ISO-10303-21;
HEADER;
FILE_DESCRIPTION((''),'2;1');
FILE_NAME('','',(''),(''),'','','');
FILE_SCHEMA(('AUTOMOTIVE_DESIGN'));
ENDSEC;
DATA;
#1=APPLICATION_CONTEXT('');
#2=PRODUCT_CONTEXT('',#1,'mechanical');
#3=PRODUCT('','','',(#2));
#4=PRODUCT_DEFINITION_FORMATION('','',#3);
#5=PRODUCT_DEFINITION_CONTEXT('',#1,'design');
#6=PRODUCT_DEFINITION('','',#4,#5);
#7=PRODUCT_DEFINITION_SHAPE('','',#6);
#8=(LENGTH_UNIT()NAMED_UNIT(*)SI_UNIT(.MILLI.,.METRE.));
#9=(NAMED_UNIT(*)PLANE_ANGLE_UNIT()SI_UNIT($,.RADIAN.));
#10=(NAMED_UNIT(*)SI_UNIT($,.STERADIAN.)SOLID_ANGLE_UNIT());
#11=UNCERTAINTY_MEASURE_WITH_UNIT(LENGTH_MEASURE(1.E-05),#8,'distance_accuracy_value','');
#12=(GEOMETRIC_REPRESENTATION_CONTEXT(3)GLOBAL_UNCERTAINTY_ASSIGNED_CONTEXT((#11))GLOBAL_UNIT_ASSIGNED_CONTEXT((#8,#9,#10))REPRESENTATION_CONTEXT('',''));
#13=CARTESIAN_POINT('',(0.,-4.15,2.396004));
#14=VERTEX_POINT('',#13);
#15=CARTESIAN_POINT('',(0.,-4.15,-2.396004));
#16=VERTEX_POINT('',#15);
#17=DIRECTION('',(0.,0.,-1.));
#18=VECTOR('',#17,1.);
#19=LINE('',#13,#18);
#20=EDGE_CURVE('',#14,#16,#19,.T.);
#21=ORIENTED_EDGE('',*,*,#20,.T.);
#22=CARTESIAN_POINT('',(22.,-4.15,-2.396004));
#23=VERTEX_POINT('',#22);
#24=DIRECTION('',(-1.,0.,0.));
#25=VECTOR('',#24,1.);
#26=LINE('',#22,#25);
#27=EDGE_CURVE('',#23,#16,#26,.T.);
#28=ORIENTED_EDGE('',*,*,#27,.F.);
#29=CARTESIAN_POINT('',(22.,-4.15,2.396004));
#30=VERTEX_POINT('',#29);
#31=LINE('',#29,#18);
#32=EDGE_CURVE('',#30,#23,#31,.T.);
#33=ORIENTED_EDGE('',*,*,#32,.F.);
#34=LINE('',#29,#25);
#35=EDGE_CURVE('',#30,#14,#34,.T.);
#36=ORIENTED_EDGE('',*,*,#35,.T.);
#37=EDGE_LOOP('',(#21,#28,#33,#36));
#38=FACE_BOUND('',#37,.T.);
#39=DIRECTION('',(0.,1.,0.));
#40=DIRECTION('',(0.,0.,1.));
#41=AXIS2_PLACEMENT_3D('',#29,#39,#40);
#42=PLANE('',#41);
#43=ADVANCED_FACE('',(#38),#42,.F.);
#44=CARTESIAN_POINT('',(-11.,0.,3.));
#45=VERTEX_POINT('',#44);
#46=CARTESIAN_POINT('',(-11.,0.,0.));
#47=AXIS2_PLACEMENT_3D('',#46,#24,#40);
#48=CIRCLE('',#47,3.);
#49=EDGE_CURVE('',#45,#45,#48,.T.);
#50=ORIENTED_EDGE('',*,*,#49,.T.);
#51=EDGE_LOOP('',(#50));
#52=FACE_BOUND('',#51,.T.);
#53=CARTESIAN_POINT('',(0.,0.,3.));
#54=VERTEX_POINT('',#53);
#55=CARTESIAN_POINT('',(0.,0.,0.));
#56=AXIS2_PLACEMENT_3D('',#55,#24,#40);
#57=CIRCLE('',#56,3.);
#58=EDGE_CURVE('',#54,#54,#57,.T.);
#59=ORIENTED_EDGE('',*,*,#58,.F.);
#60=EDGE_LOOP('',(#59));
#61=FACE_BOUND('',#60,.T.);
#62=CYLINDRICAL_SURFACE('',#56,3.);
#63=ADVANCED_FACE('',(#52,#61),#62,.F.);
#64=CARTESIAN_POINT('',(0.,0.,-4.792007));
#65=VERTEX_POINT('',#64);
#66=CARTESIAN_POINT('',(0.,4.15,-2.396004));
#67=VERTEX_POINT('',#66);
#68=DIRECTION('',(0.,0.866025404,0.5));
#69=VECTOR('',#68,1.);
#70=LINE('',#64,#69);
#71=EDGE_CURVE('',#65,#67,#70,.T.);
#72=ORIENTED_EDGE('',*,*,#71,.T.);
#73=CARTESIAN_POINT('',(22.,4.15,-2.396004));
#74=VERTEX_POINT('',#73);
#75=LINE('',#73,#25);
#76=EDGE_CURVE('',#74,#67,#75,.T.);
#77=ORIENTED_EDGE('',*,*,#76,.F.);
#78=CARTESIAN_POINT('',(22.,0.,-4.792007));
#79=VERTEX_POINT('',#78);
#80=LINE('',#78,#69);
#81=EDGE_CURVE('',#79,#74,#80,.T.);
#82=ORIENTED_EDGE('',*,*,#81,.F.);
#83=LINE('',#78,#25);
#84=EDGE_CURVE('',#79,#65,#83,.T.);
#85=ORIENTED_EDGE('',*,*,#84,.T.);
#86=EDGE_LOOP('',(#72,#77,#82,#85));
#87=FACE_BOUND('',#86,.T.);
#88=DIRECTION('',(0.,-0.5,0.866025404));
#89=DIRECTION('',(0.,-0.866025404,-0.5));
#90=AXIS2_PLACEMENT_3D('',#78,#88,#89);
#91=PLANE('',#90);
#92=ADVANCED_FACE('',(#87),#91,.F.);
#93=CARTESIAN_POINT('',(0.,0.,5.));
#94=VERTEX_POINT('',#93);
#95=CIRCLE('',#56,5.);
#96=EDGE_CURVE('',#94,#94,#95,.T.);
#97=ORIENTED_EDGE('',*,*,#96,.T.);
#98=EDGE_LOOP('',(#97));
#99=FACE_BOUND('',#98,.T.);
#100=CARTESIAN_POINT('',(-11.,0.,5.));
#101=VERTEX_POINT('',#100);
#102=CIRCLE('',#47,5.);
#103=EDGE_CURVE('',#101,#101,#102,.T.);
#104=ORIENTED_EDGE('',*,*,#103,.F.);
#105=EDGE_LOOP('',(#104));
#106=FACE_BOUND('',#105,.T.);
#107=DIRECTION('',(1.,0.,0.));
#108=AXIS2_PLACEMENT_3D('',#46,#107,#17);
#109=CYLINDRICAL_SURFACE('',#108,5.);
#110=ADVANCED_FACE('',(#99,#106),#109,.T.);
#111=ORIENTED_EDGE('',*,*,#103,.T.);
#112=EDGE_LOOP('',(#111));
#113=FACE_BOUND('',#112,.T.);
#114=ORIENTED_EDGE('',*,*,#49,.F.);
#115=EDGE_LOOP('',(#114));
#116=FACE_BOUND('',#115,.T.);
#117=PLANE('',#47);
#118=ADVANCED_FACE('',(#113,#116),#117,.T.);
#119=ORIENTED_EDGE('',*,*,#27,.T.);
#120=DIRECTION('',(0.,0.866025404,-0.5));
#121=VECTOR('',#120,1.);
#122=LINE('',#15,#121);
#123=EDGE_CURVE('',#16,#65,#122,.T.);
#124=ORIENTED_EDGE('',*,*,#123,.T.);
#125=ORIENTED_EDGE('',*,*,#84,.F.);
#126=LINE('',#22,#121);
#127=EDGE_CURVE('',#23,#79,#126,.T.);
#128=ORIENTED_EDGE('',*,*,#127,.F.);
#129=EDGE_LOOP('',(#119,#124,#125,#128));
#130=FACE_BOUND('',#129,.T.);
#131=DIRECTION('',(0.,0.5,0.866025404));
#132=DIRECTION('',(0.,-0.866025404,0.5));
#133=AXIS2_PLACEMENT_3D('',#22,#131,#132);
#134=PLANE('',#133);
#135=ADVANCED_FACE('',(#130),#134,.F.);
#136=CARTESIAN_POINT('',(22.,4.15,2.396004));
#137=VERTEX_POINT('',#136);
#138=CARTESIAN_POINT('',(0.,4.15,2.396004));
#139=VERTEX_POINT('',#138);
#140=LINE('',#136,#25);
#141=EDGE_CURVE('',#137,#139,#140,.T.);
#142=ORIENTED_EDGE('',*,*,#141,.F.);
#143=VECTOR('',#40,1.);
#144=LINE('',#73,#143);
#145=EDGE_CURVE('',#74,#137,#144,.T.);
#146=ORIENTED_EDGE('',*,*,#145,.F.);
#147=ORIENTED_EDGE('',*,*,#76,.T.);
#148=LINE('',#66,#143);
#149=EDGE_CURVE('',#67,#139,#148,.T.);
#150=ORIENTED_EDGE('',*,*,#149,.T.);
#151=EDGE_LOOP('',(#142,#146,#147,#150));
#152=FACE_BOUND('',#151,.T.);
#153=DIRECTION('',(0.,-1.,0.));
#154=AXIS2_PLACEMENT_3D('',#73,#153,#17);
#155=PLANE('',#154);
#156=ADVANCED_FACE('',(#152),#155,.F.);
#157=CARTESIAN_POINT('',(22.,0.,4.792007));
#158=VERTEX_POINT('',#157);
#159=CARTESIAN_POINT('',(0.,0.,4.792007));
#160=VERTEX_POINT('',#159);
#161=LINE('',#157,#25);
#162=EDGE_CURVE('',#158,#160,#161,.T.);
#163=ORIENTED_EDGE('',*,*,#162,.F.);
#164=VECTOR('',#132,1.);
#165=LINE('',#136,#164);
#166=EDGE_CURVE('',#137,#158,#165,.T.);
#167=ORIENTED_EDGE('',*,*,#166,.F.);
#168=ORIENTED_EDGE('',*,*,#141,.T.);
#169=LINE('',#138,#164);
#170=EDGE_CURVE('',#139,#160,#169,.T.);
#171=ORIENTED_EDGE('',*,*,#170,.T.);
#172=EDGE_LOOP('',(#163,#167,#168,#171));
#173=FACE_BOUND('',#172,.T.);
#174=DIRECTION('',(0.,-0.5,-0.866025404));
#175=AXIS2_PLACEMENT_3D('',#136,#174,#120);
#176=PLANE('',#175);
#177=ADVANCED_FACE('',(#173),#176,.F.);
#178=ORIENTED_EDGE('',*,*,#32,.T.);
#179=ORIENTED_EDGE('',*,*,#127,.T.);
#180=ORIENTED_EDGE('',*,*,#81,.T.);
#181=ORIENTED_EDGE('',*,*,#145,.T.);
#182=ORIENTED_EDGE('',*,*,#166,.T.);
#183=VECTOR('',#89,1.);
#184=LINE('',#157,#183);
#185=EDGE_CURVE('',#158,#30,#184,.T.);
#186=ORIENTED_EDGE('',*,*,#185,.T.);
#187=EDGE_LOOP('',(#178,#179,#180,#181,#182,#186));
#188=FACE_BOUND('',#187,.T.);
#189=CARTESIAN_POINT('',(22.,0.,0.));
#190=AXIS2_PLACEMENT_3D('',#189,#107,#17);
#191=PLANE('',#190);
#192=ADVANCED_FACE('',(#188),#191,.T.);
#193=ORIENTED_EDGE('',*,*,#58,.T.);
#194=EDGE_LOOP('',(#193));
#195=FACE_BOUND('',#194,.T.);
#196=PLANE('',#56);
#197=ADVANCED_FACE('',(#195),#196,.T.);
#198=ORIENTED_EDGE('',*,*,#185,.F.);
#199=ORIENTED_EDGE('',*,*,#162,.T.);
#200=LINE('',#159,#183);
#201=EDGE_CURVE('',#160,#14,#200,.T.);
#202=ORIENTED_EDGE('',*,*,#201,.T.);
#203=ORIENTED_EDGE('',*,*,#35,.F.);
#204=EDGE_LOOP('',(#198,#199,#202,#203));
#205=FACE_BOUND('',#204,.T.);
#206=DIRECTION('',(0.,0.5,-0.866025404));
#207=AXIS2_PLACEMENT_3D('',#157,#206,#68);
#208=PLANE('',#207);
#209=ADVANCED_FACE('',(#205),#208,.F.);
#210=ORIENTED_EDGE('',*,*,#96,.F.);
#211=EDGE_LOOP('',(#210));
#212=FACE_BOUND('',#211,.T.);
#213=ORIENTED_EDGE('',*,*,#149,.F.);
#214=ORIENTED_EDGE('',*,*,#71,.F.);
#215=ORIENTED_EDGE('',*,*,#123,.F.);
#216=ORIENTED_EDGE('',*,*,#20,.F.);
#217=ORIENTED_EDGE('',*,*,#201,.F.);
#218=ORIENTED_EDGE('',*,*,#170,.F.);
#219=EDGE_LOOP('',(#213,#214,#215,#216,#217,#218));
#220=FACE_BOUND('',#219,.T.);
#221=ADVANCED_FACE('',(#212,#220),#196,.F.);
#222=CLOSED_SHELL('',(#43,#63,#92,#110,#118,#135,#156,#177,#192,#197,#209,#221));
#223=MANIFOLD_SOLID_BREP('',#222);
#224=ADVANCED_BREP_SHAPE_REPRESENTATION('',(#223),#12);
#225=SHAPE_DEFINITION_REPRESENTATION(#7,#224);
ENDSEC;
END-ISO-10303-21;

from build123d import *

# Parameters (mm, degrees)
BOSS_EXTRUDE1_DEPTH = 22
SKETCH2_R           = 5
BOSS_EXTRUDE2_DEPTH = 11
SKETCH3_R           = 3
CUT_EXTRUDE1_DEPTH  = 11


with BuildPart() as part:
    # Sketch1 → Boss-Extrude1 (new body)
    with BuildSketch(Plane(origin=(0, 0, 0), x_dir=(0, 0, -1), z_dir=(1, 0, 0))):
        Polygon((2.396003617, -4.15), (4.792007234, 0), (2.396003617, 4.15), (-2.396003617, 4.15), (-4.792007234, 0), (-2.396003617, -4.15), align=None)
    extrude(amount=BOSS_EXTRUDE1_DEPTH)

    # Sketch2 → Boss-Extrude2 (add)
    with BuildSketch(Plane.ZY):
        Circle(SKETCH2_R)
    extrude(amount=BOSS_EXTRUDE2_DEPTH)

    # Sketch3 → Cut-Extrude1 (cut)
    with BuildSketch(Plane.ZY.offset(11)):
        Circle(SKETCH3_R)
    extrude(amount=-CUT_EXTRUDE1_DEPTH, mode=Mode.SUBTRACT)


solid = part.part
